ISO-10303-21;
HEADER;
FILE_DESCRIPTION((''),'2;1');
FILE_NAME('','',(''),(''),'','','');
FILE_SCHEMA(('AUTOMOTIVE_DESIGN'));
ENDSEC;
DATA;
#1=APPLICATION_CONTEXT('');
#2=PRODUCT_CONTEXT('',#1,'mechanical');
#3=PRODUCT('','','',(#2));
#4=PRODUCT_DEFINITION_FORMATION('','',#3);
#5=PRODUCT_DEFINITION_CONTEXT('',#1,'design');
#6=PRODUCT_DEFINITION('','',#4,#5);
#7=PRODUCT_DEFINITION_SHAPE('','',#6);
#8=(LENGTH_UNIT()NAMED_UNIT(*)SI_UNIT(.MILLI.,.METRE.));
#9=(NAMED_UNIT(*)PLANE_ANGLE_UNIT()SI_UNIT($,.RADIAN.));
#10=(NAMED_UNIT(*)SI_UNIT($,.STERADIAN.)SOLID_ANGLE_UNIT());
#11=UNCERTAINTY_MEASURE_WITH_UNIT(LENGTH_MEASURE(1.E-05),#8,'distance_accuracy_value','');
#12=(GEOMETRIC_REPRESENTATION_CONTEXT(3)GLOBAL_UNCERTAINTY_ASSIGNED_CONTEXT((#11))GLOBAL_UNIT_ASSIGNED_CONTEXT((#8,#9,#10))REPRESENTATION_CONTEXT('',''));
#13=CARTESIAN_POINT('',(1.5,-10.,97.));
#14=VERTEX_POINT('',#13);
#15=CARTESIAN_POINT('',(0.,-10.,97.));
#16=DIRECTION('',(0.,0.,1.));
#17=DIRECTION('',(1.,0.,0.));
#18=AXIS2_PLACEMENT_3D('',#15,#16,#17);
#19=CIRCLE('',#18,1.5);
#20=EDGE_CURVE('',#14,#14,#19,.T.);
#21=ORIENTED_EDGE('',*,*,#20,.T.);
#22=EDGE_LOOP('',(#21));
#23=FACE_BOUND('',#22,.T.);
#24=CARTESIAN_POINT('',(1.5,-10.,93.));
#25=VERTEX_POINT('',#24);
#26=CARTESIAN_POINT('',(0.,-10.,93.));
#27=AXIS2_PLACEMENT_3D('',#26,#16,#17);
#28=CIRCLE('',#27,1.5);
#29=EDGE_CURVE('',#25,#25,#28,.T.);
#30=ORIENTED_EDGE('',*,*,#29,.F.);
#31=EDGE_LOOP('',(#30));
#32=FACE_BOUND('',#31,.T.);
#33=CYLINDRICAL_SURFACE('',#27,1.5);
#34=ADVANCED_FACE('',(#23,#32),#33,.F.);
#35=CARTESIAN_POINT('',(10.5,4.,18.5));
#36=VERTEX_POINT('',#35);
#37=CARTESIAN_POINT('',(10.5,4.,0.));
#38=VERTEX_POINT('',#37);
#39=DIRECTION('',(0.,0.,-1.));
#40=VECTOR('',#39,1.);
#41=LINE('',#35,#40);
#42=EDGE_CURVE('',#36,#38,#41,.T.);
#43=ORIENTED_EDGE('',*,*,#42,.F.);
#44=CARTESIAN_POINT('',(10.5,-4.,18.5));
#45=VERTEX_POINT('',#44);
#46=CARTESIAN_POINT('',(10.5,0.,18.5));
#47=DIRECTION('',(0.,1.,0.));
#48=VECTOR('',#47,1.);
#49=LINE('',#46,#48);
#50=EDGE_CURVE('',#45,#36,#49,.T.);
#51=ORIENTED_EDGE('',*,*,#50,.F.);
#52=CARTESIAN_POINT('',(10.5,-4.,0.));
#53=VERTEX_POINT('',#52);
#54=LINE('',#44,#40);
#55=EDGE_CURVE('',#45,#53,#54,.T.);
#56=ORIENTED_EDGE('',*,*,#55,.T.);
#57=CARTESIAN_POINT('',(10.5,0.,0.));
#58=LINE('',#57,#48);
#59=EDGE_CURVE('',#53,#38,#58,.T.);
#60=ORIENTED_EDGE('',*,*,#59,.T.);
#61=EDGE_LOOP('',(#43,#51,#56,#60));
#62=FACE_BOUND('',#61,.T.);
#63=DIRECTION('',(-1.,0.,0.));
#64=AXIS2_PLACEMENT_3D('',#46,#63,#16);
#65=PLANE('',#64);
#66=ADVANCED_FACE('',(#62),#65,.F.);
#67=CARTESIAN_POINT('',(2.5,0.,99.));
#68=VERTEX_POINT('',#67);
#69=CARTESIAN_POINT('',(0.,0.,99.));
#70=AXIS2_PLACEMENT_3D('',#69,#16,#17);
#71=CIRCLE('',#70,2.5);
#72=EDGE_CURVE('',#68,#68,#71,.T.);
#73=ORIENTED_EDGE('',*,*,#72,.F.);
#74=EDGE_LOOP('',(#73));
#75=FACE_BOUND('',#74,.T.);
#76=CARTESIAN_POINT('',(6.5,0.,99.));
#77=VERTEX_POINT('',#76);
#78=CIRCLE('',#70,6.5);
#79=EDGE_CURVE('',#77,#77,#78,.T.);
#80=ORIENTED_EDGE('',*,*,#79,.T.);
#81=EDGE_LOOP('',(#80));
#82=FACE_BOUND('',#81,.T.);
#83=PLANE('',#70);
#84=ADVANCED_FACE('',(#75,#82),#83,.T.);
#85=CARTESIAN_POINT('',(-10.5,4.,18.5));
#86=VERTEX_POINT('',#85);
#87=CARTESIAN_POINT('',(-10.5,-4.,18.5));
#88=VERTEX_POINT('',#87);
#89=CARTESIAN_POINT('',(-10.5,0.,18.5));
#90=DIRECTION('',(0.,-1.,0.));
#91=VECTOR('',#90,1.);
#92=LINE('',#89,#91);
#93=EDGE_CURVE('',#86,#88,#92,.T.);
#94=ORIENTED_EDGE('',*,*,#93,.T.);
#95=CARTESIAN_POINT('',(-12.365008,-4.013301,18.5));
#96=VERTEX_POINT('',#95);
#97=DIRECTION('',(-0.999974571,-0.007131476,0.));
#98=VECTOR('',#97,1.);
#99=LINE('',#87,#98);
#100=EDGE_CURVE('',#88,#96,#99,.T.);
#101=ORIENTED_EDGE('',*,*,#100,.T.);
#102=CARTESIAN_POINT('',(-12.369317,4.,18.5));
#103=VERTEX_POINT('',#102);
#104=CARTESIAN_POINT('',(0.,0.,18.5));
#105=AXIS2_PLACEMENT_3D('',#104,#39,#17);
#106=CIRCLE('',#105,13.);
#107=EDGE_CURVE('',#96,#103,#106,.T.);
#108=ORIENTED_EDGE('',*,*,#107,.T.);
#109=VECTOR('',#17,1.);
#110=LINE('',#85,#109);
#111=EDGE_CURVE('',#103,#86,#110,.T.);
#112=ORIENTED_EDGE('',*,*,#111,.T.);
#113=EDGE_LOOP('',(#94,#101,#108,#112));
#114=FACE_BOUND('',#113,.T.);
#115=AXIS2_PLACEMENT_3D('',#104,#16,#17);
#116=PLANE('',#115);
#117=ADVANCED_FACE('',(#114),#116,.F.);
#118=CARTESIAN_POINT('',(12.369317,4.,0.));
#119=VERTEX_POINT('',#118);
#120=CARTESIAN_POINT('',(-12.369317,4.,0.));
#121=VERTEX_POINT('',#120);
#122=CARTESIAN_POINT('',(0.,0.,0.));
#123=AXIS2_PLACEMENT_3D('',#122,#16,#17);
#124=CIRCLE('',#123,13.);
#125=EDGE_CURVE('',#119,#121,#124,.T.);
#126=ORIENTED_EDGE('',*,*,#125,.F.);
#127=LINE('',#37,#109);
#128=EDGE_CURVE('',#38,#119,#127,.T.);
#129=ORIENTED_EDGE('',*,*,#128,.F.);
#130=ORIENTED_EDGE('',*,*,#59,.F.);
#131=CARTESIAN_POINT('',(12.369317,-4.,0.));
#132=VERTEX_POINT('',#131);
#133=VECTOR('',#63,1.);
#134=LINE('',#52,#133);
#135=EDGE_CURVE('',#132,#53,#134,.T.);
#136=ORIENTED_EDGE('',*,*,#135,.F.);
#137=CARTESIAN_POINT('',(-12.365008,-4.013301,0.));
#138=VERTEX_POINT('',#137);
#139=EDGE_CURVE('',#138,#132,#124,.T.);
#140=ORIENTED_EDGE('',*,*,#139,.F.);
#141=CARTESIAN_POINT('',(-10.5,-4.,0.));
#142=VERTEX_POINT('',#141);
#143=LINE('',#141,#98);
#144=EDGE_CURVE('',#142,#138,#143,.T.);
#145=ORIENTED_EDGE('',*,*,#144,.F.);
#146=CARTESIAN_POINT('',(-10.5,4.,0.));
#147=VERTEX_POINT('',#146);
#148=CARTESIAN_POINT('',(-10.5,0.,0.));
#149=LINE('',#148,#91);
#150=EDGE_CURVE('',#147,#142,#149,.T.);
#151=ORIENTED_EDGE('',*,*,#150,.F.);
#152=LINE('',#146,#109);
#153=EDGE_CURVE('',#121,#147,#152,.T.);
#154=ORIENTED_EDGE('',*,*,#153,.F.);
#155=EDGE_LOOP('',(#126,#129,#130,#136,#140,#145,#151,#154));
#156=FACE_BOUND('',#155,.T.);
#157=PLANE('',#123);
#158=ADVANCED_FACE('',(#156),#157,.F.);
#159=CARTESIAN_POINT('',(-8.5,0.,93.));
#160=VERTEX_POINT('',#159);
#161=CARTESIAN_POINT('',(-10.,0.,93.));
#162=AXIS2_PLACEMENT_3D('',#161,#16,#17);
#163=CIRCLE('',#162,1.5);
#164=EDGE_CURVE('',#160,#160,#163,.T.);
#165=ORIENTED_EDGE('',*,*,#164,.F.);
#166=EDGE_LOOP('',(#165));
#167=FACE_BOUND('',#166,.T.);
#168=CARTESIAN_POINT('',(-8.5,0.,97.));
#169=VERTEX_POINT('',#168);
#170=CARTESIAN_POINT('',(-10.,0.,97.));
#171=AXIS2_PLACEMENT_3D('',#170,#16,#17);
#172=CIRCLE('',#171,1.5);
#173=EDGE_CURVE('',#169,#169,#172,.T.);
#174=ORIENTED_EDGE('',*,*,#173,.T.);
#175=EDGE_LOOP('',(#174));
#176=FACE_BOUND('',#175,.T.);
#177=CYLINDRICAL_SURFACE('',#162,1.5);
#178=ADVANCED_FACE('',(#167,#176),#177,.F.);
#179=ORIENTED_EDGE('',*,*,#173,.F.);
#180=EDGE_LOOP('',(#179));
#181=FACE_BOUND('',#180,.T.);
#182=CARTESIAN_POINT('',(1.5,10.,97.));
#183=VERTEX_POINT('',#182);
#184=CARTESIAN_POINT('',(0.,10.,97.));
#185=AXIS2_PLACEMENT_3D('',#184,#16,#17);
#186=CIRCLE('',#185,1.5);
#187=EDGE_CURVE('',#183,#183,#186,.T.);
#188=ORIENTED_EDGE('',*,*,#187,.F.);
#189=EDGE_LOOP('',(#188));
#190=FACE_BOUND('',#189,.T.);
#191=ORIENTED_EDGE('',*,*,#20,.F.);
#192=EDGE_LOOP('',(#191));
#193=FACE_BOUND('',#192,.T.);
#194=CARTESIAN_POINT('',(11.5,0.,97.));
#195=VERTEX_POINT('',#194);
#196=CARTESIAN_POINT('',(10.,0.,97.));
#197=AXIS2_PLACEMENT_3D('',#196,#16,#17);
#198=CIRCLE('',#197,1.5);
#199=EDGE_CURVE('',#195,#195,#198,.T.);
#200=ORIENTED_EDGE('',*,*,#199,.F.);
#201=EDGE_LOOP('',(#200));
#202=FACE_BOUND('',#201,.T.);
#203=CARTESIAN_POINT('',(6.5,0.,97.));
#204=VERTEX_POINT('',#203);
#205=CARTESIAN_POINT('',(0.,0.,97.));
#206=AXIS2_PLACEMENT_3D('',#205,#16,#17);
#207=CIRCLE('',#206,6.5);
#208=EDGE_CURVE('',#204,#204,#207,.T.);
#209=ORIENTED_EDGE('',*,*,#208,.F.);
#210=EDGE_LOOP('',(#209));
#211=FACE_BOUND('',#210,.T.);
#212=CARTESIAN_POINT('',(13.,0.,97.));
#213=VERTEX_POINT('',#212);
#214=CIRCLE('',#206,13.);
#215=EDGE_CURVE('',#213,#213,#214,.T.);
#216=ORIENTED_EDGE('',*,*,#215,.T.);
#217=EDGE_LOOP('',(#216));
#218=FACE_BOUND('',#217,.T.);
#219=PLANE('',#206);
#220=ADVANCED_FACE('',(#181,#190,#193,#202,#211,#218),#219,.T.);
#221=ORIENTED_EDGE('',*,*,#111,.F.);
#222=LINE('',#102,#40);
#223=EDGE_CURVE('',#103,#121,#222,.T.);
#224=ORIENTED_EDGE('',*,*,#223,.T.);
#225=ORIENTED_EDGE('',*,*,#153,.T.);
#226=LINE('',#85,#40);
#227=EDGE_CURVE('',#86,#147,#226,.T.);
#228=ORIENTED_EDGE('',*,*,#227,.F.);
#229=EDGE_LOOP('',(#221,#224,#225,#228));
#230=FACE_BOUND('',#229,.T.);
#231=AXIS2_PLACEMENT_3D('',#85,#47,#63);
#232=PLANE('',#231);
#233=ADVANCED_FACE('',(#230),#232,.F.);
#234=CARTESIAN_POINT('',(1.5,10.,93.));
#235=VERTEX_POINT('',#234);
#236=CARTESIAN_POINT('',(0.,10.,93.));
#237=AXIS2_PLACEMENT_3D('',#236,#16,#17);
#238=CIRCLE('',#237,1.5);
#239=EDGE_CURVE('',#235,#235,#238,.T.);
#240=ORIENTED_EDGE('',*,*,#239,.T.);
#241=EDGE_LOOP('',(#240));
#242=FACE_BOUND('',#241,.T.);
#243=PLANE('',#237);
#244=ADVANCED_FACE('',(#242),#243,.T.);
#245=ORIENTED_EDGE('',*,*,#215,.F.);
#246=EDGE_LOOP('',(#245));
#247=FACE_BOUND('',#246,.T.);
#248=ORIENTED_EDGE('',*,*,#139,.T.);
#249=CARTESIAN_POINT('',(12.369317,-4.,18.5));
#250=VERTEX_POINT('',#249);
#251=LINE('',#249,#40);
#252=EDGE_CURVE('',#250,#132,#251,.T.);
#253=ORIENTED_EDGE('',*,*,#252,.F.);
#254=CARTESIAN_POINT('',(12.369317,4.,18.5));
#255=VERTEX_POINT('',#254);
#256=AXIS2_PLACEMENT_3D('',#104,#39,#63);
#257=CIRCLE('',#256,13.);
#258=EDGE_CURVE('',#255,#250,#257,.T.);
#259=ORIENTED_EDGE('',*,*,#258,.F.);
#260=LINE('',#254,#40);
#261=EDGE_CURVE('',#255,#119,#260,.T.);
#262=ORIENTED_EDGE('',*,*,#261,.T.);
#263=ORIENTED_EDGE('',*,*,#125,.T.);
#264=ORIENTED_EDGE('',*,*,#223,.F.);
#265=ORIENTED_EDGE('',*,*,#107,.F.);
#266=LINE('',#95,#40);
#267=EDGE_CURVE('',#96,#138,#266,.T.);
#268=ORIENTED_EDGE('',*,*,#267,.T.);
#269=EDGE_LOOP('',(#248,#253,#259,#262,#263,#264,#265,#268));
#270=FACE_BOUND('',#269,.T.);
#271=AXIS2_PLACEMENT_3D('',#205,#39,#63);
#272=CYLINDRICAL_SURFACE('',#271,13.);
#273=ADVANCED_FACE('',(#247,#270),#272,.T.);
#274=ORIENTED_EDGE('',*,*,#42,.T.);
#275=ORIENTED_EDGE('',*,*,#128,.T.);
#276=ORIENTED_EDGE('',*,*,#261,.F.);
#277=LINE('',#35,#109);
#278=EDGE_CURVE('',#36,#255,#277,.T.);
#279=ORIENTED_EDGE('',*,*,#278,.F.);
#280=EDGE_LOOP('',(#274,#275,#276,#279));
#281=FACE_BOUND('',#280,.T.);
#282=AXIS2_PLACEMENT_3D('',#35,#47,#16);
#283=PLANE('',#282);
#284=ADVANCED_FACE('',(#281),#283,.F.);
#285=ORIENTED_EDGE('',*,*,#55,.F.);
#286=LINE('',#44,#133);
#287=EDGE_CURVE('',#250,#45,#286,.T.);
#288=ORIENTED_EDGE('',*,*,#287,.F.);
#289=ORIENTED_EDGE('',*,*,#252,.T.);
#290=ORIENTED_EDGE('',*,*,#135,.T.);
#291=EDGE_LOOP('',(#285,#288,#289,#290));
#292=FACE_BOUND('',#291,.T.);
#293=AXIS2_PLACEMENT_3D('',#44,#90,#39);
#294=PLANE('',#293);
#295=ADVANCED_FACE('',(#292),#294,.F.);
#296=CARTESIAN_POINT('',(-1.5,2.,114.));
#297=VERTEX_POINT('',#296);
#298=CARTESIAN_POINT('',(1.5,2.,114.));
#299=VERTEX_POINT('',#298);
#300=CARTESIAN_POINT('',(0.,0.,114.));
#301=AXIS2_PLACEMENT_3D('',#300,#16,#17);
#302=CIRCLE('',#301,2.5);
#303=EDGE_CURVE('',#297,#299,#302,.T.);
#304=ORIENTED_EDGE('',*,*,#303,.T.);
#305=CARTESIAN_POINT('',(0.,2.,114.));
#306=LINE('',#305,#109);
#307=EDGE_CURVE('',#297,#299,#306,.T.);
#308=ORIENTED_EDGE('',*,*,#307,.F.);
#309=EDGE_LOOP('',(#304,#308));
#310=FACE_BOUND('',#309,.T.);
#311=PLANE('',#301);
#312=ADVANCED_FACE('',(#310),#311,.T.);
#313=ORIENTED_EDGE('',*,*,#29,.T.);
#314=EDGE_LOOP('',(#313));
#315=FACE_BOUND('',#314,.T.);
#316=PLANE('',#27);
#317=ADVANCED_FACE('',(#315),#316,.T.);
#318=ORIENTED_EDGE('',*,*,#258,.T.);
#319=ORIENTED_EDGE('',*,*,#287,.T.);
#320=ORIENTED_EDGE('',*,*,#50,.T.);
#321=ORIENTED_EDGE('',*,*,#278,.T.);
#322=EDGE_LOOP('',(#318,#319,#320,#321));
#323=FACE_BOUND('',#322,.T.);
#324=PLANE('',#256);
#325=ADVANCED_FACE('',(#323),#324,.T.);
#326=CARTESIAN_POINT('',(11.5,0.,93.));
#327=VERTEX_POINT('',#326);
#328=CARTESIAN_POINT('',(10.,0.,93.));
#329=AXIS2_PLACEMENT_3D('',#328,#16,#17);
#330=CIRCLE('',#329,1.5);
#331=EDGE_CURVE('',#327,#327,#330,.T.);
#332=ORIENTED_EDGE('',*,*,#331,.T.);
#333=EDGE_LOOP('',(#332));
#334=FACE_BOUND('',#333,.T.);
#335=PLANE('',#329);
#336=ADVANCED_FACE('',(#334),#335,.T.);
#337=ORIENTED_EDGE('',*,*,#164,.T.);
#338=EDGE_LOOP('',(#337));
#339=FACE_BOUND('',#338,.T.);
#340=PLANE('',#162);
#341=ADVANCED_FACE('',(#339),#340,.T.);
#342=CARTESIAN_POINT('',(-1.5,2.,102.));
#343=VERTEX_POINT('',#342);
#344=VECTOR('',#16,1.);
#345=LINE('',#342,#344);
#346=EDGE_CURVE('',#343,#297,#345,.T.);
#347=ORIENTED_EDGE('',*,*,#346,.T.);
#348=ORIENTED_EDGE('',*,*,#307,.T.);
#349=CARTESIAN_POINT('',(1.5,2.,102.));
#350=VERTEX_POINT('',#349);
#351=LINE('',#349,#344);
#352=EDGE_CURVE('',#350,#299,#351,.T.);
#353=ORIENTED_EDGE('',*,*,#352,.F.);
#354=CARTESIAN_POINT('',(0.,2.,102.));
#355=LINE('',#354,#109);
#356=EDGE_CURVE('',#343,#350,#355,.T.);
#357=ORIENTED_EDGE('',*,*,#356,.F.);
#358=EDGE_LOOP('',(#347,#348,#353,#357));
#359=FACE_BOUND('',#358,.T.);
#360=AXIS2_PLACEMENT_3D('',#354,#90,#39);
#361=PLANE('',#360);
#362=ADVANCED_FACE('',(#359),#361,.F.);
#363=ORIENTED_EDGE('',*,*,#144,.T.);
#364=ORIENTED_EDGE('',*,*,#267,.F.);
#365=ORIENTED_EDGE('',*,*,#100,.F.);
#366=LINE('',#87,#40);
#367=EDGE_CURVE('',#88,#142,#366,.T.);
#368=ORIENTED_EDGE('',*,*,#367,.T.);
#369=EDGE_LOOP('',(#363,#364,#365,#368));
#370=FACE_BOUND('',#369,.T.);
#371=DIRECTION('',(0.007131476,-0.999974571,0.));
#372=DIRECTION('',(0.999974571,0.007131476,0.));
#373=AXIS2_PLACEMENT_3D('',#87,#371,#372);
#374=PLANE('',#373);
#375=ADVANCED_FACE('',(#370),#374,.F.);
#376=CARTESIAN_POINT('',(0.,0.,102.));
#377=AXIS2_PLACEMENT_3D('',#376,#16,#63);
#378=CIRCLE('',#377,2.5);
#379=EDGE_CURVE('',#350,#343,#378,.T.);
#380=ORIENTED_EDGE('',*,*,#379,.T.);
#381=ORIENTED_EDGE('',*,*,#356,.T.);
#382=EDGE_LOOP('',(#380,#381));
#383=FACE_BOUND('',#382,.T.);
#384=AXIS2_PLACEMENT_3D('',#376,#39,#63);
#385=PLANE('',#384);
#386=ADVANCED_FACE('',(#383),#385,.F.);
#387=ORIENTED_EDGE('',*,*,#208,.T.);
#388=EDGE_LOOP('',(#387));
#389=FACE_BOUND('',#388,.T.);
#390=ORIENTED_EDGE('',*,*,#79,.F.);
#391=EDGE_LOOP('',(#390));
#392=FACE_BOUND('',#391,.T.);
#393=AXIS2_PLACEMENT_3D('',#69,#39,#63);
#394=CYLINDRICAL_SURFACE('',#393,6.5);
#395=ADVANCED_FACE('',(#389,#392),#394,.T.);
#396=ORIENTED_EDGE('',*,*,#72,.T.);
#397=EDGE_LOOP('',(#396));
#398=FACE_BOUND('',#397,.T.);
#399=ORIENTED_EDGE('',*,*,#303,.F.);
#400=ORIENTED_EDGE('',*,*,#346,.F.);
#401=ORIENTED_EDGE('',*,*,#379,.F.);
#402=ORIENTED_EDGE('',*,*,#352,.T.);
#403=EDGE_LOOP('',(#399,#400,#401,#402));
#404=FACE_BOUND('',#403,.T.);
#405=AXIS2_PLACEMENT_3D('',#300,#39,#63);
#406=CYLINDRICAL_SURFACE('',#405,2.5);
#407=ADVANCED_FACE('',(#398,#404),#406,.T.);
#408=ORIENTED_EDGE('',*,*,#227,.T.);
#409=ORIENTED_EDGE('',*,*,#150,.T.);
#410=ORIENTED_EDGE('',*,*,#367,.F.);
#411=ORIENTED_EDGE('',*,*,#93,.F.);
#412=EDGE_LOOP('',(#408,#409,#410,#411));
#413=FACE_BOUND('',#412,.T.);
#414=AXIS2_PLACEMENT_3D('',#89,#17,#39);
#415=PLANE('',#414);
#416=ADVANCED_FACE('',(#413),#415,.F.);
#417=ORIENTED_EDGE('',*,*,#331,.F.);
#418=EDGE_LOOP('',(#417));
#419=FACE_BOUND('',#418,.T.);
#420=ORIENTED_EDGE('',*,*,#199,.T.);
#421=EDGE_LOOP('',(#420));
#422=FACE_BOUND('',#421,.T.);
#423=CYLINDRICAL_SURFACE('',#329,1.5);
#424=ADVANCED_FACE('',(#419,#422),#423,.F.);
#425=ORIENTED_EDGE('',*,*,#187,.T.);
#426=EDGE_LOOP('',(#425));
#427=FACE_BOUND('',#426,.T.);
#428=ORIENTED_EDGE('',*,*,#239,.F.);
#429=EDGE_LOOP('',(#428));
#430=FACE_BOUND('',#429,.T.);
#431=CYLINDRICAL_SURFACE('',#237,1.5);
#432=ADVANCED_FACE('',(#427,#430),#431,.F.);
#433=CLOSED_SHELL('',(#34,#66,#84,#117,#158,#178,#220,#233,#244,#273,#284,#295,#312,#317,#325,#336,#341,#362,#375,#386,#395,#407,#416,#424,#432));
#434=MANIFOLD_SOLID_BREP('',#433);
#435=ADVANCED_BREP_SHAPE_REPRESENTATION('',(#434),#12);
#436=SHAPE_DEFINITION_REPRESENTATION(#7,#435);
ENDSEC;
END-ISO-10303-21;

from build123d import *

# Parameters (mm, degrees)
ESQUISSE1_R             = 13
BOSS_EXTRU_1_DEPTH      = 97
ESQUISSE2_R             = 2.5
BOSS_EXTRU_2_DEPTH      = 17
ENL_V_MAT_EXTRU_1_DEPTH = 18.5
ESQUISSE4_R             = 6.5
ESQUISSE4_R_2           = 2.5
BOSS_EXTRU_3_DEPTH      = 2
ESQUISSE5_R             = 1.5
ENL_V_MAT_EXTRU_2_DEPTH = 4
ENL_V_START             = -12
ENL_V_MAT_EXTRU_3_DEPTH = 12


with BuildPart() as part:
    # Esquisse1 → Boss.-Extru.1 (new body)
    with BuildSketch(Plane.XY):
        with Locations(Location((0, 0, 0), (0, 0, 180))):
            Circle(ESQUISSE1_R)
    extrude(amount=BOSS_EXTRU_1_DEPTH)

    # Esquisse2 → Boss.-Extru.2 (add)
    with BuildSketch(Plane.XY.offset(97)):
        Circle(ESQUISSE2_R)
    extrude(amount=BOSS_EXTRU_2_DEPTH)

    # Esquisse3 → Enlèv. mat.-Extru.1 (cut)
    with BuildSketch(Plane(origin=(0, 0, 0), x_dir=(-1, 0, 0), z_dir=(0, 0, -1))):
        with BuildLine():
            Line((-10.5, 0), (-10.5, 4))
            Line((-10.5, 4), (-12.369316877, 4))
            ThreePointArc((-12.369316877, 4), (-13, 0), (-12.369316877, -4))
            Line((-12.369316877, -4), (-10.5, -4))
            Line((-10.5, -4), (-10.5, 0))
        make_face()
        with BuildLine():
            Line((10.5, 0), (10.5, 4))
            Line((10.5, 4), (12.369316877, 4))
            ThreePointArc((12.369316877, 4), (12.99999812, -0.006990598), (12.365007817, -4.013300596))
            Line((12.365007817, -4.013300596), (10.5, -4))
            Line((10.5, -4), (10.5, 0))
        make_face()
    extrude(amount=-ENL_V_MAT_EXTRU_1_DEPTH, mode=Mode.SUBTRACT)

    # Esquisse4 → Boss.-Extru.3 (add)
    with BuildSketch(Plane.XY.offset(97)):
        Circle(ESQUISSE4_R)
        Circle(ESQUISSE4_R_2, mode=Mode.SUBTRACT)
    extrude(amount=BOSS_EXTRU_3_DEPTH)

    # Esquisse5 → Enlèv. mat.-Extru.2 (cut)
    with BuildSketch(Plane.XY.offset(97)):
        with Locations((0, 10)):
            Circle(ESQUISSE5_R)
        with Locations((-10, 0)):
            Circle(ESQUISSE5_R)
        with Locations((0, -10)):
            Circle(ESQUISSE5_R)
        with Locations((10, 0)):
            Circle(ESQUISSE5_R)
    extrude(amount=-ENL_V_MAT_EXTRU_2_DEPTH, mode=Mode.SUBTRACT)

    # Esquisse6 → Enlèv. mat.-Extru.3 (cut)
    with BuildSketch(Plane.XY.offset(114).offset(ENL_V_START)):
        with BuildLine():
            Line((0, 2), (1.5, 2))
            ThreePointArc((1.5, 2), (0, 2.5), (-1.5, 2))
            Line((-1.5, 2), (0, 2))
        make_face()
    extrude(amount=ENL_V_MAT_EXTRU_3_DEPTH, mode=Mode.SUBTRACT)


solid = part.part
